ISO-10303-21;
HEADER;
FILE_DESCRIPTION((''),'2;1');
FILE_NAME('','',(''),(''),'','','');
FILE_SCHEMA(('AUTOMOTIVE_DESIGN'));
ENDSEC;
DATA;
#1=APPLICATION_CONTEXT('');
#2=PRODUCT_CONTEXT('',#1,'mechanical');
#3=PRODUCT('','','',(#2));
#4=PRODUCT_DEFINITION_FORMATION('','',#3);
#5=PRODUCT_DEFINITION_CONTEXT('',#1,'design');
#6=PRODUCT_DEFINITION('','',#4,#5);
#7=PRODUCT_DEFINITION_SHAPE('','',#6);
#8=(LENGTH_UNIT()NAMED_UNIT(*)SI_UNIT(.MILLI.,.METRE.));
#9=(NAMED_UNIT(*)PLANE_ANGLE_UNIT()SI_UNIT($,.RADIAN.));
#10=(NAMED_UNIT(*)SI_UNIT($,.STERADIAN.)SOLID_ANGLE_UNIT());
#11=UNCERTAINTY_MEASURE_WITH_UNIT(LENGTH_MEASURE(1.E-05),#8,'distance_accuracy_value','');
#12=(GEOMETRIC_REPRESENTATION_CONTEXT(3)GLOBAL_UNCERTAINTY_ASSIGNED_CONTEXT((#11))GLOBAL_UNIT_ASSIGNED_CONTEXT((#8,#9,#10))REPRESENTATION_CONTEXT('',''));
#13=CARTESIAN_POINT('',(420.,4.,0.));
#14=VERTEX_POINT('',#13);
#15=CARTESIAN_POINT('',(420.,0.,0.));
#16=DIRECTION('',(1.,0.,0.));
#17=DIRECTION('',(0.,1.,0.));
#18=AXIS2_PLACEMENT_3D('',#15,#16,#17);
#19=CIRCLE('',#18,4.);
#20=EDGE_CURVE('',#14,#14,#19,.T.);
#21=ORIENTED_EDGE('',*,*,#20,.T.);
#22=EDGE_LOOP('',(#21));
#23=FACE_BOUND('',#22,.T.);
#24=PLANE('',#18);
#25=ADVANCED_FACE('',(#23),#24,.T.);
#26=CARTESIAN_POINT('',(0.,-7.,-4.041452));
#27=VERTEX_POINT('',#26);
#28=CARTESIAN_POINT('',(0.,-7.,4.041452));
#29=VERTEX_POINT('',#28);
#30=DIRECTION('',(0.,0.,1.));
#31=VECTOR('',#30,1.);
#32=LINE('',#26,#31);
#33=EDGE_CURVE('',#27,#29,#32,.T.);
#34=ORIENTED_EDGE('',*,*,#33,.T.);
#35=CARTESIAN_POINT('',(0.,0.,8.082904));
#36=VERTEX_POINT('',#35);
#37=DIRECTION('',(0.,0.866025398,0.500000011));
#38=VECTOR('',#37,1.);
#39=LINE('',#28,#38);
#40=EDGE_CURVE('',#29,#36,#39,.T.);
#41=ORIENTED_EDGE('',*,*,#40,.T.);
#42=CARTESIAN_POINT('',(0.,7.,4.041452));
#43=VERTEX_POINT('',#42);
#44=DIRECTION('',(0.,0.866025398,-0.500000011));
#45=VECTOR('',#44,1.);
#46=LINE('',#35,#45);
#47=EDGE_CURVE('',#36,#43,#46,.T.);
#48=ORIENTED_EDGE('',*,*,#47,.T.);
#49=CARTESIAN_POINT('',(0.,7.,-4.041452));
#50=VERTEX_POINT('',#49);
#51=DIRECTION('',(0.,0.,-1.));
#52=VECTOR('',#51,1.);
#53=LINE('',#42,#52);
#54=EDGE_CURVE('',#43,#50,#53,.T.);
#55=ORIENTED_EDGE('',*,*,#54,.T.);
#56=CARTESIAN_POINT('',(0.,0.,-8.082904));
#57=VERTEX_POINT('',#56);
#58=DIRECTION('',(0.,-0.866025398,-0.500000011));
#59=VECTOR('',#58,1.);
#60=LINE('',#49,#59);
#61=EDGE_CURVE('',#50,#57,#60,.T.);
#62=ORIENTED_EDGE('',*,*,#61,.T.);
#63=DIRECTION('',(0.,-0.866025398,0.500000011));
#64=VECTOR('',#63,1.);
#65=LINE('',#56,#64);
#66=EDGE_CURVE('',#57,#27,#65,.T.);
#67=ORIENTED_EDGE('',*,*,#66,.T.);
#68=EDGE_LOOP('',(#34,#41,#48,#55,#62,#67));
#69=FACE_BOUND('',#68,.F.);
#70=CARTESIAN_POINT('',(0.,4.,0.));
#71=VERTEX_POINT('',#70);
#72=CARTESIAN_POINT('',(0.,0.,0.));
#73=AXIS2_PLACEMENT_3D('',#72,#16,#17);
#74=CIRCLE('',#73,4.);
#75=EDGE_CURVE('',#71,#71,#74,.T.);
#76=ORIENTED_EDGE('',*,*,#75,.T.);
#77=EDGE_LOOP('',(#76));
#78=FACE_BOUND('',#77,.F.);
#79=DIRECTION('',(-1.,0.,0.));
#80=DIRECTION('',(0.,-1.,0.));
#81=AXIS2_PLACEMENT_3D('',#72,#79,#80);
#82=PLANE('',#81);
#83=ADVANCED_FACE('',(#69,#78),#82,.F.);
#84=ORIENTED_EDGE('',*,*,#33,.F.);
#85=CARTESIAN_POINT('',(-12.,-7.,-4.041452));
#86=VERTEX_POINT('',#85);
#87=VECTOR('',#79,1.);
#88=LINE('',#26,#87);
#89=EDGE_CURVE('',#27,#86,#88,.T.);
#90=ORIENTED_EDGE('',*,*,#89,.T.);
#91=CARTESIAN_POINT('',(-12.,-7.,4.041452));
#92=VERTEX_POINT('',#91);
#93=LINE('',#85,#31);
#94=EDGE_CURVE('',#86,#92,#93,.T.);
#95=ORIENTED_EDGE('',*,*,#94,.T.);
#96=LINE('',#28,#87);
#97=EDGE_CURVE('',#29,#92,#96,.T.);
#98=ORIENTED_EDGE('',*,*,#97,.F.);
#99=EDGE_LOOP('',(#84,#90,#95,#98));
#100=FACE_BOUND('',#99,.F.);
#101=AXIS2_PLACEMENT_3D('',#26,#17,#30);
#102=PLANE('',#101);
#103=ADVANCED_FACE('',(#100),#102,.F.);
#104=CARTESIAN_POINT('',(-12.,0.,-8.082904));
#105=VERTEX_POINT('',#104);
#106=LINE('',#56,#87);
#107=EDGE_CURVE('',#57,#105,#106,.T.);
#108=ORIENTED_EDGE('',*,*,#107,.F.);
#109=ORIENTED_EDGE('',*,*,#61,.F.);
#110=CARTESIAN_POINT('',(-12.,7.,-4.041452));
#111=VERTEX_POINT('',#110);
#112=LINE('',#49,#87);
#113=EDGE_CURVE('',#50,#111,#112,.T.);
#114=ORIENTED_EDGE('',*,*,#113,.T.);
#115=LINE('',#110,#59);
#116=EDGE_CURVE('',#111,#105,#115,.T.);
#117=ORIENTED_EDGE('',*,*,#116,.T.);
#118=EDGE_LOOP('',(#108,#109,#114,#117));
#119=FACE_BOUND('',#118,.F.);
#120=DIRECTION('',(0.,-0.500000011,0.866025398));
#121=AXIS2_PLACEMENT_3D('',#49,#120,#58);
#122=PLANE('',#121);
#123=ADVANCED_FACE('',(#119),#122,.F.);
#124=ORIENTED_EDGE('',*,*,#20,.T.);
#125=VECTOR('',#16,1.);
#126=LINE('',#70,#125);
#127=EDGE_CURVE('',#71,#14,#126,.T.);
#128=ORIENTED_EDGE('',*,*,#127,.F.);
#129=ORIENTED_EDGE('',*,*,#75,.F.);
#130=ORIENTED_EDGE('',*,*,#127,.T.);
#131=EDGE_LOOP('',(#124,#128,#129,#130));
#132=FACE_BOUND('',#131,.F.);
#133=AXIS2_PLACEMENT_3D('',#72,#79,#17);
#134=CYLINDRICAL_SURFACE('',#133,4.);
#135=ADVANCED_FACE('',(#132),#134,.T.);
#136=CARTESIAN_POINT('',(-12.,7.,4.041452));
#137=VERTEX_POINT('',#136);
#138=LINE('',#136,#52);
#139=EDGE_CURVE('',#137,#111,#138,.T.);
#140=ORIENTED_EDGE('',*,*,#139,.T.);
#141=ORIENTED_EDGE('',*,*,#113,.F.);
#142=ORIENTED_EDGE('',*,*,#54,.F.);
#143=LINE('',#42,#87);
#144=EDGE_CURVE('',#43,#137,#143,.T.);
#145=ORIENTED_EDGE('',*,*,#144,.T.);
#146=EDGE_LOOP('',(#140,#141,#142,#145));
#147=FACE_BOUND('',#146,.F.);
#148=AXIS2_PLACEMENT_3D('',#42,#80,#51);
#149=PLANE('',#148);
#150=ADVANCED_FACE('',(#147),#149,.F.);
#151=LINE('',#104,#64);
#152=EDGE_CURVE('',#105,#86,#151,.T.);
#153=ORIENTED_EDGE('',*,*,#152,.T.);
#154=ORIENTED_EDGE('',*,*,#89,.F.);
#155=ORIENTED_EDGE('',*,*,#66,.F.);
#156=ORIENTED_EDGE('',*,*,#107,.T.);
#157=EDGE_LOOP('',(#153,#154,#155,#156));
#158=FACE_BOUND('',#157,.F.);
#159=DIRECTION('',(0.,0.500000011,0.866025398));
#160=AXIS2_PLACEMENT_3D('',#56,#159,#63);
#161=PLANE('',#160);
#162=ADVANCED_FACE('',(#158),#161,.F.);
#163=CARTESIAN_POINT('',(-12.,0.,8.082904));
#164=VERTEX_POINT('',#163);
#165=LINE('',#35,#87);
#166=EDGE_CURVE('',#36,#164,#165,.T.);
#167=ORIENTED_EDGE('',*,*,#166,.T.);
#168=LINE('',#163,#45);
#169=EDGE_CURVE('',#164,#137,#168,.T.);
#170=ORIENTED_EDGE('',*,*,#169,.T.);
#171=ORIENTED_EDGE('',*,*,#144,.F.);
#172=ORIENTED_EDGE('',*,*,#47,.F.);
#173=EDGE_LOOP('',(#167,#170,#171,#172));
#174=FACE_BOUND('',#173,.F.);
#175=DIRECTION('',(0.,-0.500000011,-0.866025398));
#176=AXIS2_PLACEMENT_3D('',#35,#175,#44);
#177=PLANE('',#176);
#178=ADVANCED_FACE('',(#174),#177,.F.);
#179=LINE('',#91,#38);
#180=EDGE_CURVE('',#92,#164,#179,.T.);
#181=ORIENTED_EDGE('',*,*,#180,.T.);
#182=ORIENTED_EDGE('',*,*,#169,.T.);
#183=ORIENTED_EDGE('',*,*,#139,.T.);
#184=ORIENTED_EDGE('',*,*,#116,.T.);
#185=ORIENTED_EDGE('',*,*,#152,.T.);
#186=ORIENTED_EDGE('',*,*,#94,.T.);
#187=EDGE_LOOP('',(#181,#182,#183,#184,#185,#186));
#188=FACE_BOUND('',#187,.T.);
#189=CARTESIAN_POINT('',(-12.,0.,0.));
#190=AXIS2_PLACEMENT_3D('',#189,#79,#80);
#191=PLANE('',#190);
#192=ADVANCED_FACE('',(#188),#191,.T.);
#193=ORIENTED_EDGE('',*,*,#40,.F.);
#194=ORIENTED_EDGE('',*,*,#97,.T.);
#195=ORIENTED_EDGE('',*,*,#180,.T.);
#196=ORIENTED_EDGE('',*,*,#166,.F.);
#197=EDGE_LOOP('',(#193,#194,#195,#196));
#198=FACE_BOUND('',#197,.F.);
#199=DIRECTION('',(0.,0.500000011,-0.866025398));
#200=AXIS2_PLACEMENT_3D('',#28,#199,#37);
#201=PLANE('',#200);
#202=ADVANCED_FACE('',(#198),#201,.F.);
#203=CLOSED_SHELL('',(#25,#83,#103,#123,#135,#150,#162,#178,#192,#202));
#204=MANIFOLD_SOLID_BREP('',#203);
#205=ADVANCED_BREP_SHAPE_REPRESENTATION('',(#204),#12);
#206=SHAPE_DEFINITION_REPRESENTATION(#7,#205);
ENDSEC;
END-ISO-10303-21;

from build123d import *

# Parameters (mm, degrees)
SKETCH_R     = 4
PAD_DEPTH    = 420
PAD001_DEPTH = 12


with BuildPart() as part:
    # Sketch → Pad (new body)
    with BuildSketch(Plane.YZ):
        Circle(SKETCH_R)
    extrude(amount=PAD_DEPTH)

    # Sketch001 (on Face2 of Pad) → Pad001 (join)
    with BuildSketch(Plane(origin=(0, 0, 0), x_dir=(0, -1, 0), z_dir=(-1, 0, 0))):
        Polygon((7, 4.041452), (0, 8.082904), (-7, 4.041452), (-7, -4.041452), (0, -8.082904), (7, -4.041452), align=None)
    extrude(amount=PAD001_DEPTH)


solid = part.part
